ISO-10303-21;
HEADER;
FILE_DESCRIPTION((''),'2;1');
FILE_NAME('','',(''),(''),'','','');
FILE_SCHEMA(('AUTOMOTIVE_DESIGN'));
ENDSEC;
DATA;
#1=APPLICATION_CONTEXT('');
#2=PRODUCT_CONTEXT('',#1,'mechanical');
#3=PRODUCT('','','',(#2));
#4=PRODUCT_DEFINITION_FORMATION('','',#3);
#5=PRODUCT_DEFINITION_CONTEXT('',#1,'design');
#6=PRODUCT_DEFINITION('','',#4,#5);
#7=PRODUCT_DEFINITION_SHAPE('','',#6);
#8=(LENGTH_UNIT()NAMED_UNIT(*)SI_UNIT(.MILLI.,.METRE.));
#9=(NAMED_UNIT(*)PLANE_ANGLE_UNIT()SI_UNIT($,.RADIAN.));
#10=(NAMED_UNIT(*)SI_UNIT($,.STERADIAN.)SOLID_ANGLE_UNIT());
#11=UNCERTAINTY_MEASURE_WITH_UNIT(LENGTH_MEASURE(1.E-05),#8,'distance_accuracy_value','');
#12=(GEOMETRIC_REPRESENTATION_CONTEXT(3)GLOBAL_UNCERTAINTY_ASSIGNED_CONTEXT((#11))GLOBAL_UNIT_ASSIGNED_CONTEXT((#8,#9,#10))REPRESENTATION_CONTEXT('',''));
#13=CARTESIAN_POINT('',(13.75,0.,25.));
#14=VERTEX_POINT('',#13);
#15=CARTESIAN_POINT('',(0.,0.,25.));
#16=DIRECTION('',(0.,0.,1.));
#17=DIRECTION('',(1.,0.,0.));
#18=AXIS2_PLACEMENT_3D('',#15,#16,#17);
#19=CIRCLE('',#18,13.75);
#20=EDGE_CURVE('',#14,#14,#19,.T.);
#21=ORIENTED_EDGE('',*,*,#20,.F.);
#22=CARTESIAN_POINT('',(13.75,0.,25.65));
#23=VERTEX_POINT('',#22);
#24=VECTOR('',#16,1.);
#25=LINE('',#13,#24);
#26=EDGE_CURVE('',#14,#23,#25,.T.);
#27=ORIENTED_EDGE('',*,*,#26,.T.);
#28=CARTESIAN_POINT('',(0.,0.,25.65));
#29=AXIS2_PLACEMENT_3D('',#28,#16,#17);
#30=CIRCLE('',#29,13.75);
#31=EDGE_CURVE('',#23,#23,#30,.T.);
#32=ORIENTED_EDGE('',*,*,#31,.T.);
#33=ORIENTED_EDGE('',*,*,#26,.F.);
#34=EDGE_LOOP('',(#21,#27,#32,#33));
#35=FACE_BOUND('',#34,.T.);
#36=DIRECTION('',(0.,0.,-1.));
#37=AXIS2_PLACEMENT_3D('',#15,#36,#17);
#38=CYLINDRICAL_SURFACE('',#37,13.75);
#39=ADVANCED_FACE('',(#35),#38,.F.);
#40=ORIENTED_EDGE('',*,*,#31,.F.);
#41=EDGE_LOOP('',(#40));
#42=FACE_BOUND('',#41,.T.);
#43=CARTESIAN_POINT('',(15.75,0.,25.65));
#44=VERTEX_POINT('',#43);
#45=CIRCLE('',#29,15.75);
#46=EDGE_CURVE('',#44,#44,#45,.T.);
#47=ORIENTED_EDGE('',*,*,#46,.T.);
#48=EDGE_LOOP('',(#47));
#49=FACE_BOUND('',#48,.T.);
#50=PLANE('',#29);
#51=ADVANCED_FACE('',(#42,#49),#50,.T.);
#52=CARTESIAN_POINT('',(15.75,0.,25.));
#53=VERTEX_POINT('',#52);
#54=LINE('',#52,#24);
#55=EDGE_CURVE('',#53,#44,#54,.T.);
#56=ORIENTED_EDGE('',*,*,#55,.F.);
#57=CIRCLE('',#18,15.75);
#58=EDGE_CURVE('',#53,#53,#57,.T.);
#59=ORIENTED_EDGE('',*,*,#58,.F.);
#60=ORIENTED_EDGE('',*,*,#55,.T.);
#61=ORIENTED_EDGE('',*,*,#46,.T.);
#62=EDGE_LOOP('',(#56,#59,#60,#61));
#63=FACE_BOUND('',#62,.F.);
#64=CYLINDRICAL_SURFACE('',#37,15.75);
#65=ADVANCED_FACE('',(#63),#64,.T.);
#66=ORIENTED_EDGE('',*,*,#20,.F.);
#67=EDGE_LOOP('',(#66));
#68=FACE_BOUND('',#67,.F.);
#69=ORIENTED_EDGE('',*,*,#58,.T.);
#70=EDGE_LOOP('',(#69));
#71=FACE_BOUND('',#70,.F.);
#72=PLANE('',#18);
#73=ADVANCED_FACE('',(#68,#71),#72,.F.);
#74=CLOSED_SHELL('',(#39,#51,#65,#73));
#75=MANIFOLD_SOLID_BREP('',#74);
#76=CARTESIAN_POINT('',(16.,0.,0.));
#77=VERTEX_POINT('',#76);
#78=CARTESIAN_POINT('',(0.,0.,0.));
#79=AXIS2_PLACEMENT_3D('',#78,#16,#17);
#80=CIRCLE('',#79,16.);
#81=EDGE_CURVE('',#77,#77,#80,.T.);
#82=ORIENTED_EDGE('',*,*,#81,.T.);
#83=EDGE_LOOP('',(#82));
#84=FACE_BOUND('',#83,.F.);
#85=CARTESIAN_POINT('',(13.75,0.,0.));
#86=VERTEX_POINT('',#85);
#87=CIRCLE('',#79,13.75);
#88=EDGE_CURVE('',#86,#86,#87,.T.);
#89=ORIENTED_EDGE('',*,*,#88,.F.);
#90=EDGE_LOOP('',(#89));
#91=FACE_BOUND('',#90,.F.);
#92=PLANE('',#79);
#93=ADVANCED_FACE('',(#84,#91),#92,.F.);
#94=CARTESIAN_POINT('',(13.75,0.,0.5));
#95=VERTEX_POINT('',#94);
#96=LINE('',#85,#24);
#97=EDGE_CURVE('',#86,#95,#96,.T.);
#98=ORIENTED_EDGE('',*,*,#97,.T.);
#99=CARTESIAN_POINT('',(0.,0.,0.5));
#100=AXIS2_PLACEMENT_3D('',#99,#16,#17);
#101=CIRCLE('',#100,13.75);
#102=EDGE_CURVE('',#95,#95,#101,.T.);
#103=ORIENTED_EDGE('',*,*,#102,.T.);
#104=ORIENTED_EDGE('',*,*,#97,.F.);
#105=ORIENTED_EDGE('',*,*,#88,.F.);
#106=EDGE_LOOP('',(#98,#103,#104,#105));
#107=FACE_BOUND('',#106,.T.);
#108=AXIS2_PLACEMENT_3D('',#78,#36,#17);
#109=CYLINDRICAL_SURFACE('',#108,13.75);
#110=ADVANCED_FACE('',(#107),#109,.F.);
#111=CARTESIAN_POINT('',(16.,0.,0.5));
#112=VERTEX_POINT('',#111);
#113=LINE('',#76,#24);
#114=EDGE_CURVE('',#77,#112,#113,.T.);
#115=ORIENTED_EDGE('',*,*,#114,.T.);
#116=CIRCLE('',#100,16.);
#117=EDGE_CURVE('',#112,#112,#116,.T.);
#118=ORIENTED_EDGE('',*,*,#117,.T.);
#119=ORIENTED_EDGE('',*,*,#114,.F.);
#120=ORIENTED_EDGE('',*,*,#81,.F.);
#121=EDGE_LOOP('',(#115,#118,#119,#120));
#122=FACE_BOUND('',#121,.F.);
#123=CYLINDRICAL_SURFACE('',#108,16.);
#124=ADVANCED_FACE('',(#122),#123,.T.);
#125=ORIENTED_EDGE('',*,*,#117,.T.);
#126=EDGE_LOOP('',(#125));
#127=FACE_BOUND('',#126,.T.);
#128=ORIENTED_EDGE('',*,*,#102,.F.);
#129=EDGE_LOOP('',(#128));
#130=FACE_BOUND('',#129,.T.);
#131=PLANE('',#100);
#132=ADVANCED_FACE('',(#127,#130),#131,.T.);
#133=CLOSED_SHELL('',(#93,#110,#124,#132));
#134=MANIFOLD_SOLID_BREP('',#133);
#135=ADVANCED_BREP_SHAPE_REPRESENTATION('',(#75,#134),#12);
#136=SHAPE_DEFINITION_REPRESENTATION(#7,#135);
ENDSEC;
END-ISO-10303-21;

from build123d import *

# Parameters (mm, degrees)
F0_R     = 16
F0_R_2   = 13.75
F1_DEPTH = 0.5
F3_R     = 15.75
F3_R_2   = 13.75
F4_DEPTH = 0.65


with BuildPart() as f1:
    # F0 (on Top) → F1 (new body)
    with BuildSketch(Plane.XY):
        Circle(F0_R)
        Circle(F0_R_2, mode=Mode.SUBTRACT)
    extrude(amount=F1_DEPTH)


with BuildPart() as f4:
    # F3 (on offset) → F4 (new body)
    with BuildSketch(Plane.XY.offset(25)):
        Circle(F3_R)
        Circle(F3_R_2, mode=Mode.SUBTRACT)
    extrude(amount=F4_DEPTH)


solid = Compound([f1.part, f4.part])
